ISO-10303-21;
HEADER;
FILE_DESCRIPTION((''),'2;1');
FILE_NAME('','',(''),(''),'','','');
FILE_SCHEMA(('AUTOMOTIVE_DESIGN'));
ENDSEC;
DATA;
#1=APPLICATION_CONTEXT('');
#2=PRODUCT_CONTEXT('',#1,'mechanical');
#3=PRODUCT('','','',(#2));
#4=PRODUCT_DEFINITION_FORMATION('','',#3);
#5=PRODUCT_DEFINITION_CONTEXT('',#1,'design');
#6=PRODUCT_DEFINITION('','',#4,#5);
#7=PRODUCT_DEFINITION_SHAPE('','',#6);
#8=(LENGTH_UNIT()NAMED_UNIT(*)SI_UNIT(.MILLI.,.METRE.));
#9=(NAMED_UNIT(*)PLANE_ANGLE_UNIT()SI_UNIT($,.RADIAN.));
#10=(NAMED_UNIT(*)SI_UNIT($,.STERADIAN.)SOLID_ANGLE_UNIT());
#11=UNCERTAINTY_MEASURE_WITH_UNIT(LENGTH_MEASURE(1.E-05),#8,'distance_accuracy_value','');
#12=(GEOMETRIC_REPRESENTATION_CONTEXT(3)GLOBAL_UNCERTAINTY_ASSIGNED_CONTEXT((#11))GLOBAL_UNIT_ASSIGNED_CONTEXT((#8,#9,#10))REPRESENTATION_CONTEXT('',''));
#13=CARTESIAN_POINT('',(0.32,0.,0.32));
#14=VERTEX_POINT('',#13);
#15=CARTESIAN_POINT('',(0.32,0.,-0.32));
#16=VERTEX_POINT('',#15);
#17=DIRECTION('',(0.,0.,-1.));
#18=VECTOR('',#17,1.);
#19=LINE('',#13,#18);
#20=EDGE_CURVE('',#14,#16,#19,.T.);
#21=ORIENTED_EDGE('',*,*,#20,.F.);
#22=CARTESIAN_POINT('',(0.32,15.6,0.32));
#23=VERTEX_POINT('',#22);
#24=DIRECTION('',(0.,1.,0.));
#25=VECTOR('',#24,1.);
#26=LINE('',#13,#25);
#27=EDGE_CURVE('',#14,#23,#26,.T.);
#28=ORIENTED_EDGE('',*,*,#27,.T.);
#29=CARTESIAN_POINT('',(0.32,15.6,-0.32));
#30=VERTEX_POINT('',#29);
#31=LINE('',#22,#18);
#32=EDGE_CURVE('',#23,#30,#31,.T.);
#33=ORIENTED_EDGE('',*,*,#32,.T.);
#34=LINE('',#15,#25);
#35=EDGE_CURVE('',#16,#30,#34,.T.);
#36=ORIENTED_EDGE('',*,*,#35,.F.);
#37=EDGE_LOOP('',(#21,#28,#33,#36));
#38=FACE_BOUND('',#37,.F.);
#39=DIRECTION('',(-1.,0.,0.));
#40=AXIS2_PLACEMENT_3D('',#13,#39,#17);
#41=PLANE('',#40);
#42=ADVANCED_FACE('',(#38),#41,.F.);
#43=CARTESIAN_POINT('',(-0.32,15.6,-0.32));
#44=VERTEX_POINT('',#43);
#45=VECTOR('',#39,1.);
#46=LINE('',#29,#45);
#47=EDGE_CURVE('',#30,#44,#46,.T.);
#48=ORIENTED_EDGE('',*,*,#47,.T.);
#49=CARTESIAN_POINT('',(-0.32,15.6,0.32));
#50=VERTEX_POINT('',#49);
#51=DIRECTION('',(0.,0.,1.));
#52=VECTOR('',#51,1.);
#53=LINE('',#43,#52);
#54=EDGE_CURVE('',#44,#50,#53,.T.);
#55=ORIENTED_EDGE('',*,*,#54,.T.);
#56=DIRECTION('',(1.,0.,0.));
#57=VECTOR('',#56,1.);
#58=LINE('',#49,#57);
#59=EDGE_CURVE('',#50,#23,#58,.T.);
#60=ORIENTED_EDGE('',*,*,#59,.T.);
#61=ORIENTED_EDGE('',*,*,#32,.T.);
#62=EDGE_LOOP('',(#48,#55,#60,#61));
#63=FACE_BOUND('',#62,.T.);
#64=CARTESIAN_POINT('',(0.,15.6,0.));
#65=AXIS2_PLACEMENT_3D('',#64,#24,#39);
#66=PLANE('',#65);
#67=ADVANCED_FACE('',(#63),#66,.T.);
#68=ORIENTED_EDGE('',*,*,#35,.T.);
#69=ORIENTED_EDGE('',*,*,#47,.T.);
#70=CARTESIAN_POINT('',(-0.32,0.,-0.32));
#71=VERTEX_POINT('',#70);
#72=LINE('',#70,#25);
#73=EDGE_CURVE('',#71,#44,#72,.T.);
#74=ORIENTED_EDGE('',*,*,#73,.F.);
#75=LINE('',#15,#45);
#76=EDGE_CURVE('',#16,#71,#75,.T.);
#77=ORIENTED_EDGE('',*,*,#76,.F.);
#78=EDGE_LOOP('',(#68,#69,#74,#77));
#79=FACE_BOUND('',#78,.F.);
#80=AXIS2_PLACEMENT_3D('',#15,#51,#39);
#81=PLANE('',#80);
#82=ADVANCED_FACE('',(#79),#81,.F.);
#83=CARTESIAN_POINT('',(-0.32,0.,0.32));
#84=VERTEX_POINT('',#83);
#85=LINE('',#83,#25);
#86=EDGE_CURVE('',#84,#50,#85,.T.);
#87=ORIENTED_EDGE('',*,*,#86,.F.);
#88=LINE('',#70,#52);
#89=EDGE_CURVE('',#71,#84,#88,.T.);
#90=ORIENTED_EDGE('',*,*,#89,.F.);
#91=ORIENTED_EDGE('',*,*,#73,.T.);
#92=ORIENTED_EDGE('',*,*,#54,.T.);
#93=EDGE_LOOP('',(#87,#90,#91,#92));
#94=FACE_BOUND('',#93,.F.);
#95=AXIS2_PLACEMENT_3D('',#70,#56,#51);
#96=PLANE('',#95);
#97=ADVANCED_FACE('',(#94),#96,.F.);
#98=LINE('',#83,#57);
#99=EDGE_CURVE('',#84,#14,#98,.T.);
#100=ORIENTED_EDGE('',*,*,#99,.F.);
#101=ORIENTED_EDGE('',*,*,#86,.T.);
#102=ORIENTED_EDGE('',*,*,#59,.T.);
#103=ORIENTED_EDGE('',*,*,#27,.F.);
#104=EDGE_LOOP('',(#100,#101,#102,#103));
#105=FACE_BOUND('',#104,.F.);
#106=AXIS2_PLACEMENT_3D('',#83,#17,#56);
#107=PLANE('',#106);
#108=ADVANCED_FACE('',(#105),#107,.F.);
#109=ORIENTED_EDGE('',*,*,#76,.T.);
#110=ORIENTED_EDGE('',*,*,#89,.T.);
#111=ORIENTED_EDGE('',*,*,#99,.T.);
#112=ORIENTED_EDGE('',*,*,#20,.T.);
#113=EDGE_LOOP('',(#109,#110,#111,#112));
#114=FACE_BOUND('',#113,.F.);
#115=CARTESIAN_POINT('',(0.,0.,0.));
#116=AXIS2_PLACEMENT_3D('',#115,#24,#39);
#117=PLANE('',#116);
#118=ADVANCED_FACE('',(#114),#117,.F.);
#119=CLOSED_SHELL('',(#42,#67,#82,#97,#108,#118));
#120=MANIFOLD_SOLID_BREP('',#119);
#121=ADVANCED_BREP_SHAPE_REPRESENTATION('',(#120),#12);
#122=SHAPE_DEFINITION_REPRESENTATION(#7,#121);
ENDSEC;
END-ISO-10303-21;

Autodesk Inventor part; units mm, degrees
ref_plane "YZ Plane" through (0, 0, 0) normal (1, 0, 0) x (0, 1, 0)
ref_plane "XZ Plane" through (0, 0, 0) normal (0, 1, 0) x (-1, 0, 0)
ref_plane "XY Plane" through (0, 0, 0) normal (0, 0, 1) x (1, 0, 0)
sketch "Sketch1" plane through (0, 0, 0) normal (0, 1, 0) x (-1, 0, 0)
  line L0 (0.32, 0.32) -> (-0.32, 0.32)
  line L1 (-0.32, 0.32) -> (-0.32, -0.32)
  line L2 (-0.32, -0.32) -> (0.32, -0.32)
  line L3 (0.32, -0.32) -> (0.32, 0.32)
  line L4 (0.32, 0.32) -> (-0.32, -0.32) construction
  line L5 (-0.32, 0.32) -> (0.32, -0.32) construction
  point P0 (0, 0)
  dimension "d0" = 0.64
  dimension "d1" = 0.64
extrude "Extrusion1" add sketch "Sketch1" along normal blind 15.6
properties part number "switch-wire"
